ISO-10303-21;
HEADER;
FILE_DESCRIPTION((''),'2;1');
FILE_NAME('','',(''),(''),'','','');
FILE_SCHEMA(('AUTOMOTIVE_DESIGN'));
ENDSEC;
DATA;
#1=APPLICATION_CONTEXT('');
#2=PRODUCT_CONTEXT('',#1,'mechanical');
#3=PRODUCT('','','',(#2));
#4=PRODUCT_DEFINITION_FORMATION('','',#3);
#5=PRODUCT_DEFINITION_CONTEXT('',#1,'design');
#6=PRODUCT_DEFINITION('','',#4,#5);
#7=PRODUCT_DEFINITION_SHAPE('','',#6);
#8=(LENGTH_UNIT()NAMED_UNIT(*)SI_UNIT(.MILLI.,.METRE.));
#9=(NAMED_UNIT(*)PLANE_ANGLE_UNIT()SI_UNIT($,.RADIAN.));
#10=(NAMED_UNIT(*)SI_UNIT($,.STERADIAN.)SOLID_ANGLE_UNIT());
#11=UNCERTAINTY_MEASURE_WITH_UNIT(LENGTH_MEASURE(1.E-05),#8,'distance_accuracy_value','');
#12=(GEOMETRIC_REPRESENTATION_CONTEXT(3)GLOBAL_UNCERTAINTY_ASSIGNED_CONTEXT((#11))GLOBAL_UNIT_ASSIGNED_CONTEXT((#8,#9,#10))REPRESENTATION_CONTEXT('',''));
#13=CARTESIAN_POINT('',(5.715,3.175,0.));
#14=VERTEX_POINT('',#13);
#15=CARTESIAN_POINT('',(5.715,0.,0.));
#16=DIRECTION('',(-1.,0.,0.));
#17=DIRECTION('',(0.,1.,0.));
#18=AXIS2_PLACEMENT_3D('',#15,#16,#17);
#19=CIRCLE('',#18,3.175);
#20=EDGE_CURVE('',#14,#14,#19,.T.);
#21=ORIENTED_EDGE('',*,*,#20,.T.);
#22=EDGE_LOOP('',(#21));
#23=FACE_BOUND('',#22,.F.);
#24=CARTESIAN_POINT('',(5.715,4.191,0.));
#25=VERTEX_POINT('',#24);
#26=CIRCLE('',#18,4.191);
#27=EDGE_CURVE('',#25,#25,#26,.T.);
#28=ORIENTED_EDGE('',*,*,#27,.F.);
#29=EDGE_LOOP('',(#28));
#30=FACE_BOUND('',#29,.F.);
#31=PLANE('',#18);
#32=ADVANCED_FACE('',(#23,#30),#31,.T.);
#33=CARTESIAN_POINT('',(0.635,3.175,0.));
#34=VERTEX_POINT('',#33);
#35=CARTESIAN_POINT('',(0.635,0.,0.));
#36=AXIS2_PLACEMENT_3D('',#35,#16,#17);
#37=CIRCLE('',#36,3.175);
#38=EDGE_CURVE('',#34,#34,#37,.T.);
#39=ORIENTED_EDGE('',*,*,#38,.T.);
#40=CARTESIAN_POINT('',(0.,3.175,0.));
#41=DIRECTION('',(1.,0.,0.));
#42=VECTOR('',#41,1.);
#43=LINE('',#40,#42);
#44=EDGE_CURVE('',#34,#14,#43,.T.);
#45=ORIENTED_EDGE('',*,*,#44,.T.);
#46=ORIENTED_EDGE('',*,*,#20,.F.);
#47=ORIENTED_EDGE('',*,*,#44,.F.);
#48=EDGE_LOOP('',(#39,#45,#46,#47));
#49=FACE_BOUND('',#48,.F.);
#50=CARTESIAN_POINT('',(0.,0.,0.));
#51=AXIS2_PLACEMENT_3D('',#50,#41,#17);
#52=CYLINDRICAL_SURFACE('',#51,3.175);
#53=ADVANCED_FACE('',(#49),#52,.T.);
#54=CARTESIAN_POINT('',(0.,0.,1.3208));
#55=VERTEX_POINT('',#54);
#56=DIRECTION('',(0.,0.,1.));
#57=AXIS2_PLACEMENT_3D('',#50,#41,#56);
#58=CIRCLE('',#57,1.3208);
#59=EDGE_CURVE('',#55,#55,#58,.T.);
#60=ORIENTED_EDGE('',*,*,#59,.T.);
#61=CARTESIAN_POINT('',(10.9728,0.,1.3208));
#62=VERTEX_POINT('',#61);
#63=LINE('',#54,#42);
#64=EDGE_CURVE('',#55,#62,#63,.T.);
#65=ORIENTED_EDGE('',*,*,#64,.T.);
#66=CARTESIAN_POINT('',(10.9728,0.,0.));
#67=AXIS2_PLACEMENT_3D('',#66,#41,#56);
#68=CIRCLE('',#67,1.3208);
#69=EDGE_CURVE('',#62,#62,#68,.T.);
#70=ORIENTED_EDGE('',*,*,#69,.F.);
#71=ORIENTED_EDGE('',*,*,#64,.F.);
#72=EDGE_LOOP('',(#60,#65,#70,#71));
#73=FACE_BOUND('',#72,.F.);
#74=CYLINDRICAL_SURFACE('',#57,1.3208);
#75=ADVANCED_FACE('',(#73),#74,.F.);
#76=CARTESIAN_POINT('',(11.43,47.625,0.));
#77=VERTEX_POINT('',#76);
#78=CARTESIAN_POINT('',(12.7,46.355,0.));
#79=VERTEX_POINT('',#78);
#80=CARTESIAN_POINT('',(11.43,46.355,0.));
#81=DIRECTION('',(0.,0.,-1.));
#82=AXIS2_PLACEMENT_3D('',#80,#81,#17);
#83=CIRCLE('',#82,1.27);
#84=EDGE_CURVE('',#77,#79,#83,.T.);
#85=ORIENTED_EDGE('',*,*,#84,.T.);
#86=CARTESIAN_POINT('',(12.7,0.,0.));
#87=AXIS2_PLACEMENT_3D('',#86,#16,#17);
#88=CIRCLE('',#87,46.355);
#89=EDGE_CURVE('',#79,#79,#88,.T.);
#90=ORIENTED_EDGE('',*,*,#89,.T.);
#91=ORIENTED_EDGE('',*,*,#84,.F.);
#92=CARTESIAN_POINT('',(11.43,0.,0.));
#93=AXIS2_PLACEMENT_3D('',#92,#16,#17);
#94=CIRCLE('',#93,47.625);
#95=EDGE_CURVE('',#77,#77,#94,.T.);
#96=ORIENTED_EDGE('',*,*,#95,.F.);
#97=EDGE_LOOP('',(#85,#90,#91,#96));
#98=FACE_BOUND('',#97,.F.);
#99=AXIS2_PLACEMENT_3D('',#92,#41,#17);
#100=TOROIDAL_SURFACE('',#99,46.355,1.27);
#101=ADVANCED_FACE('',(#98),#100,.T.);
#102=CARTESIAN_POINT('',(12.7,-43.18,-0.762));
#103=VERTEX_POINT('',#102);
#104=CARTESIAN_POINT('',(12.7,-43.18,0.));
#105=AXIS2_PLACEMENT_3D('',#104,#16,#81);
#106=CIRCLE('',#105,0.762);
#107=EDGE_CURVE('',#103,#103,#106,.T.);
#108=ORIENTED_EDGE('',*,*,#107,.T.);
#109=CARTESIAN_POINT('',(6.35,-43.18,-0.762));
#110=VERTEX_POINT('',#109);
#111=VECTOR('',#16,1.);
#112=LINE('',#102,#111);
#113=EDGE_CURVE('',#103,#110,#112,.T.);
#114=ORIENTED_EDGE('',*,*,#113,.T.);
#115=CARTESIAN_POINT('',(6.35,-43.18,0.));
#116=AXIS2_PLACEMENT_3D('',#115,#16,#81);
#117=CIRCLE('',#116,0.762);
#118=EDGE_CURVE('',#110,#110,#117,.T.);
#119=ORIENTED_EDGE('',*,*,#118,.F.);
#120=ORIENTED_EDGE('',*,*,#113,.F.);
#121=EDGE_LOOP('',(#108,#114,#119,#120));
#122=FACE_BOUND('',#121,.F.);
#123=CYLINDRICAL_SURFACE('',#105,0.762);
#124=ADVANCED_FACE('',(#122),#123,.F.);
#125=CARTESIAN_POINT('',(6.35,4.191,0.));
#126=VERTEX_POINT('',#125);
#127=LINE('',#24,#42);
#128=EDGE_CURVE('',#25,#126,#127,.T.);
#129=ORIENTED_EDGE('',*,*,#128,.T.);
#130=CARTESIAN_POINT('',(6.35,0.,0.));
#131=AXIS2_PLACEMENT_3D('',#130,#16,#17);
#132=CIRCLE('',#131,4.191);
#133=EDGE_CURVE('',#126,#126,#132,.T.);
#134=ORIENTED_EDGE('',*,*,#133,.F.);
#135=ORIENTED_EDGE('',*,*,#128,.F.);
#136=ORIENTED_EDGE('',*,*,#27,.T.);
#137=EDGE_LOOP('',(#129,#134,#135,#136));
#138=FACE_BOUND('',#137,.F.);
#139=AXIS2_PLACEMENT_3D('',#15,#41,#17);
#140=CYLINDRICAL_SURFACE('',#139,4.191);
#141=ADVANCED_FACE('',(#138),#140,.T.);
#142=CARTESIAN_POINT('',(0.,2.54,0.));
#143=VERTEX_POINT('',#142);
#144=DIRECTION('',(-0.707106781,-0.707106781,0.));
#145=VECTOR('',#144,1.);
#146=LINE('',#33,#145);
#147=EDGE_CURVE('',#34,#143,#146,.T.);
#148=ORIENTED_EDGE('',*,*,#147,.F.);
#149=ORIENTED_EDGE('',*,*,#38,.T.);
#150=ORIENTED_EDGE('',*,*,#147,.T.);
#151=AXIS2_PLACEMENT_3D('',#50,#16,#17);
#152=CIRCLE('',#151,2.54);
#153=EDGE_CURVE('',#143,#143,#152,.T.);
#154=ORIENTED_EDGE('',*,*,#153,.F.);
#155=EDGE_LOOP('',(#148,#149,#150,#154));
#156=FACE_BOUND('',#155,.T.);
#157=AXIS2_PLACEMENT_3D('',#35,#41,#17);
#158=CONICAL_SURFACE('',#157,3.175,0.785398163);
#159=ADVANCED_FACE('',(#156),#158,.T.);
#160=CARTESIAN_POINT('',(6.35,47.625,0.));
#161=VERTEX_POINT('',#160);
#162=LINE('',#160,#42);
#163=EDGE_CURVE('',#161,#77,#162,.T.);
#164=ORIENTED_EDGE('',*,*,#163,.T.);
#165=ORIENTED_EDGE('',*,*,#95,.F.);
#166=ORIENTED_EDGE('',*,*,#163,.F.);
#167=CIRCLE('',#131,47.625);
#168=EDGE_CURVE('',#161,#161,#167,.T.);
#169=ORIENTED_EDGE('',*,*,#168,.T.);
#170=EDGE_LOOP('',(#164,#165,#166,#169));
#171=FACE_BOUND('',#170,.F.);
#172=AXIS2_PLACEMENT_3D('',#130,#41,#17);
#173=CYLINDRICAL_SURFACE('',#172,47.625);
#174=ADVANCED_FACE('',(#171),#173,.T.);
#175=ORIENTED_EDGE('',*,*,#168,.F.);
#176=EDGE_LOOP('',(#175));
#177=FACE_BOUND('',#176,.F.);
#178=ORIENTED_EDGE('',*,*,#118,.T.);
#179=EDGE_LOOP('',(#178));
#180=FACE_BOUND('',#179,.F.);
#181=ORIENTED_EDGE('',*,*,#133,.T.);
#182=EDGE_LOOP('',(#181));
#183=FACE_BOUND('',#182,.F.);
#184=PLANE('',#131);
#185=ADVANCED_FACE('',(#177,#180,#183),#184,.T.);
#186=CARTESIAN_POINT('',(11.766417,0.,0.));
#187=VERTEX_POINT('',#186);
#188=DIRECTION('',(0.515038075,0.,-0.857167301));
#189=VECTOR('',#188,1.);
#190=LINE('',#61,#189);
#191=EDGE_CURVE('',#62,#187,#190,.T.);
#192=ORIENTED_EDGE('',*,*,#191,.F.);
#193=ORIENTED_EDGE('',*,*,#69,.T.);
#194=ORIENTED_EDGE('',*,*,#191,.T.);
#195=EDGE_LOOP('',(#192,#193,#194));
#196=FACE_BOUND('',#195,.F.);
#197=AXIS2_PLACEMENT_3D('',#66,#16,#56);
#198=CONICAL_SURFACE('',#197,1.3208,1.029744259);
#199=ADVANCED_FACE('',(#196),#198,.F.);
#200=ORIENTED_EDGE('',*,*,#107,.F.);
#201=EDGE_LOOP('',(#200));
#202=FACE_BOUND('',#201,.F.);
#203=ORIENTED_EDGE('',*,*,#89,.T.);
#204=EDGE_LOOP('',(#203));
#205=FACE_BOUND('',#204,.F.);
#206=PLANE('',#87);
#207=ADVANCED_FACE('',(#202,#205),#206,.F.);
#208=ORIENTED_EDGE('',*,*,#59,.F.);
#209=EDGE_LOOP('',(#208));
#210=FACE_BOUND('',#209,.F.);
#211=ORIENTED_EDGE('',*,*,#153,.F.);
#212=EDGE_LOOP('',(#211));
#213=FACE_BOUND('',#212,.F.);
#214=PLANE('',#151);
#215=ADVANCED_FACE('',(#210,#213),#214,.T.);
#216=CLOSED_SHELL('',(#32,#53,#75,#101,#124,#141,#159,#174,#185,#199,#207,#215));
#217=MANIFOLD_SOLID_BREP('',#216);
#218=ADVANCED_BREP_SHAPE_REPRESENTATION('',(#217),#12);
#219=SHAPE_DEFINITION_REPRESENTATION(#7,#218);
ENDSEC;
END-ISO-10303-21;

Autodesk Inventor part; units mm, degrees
ref_plane "YZ Plane" through (0, 0, 0) normal (1, 0, 0) x (0, 1, 0)
ref_plane "XZ Plane" through (0, 0, 0) normal (0, 1, 0) x (-1, 0, 0)
ref_plane "XY Plane" through (0, 0, 0) normal (0, 0, 1) x (1, 0, 0)
sketch "Sketch5" plane through (0, 0, 0) normal (0, 0, 1) x (1, 0, 0)
  line L0 (0, 0) -> (0, 3.175)
  line L1 (0, 3.175) -> (5.715, 3.175)
  line L2 (6.35, 4.191) -> (6.35, 47.625)
  line L3 (6.35, 47.625) -> (12.7, 47.625)
  line L4 (12.7, 47.625) -> (12.7, 0)
  line L5 (12.7, 0) -> (0, 0)
  line L6 (5.715, 3.175) -> (5.715, 4.191)
  line L7 (5.715, 4.191) -> (6.35, 4.191)
  point P0 (9.525, 3.175)
  dimension "d9" = 3.175
  dimension "d10" = 47.625
  dimension "d14" = 6.35
  dimension "d18" = 0.635
  dimension "d19" = 4.191
  dimension "d21" = 5.715
revolve "Revolution1" add sketch "Sketch5" angle 360 about axis through (12.7, 0, 0) along (-1, 0, 0)
fillet "Fillet1" radius 1.27 1 edges at (12.7, -47.625, 0)
chamfer "Chamfer1" distance 0.635 angle 45 1 edges at (0, -3.175, 0)
sketch "Sketch6" plane through (12.7, 0, 0) normal (1, 0, 0) x (0, 0, -1)
  circle A0 centre (0, 0) radius 46.355 projected
  line L0 (-34.925, -19.05) -> (34.925, -19.05)
  line L1 (0, 0) -> (0, -19.05)
  point P0 (0, -43.18)
  dimension "d27" = 43.18
  dimension "d43" = 69.85
  dimension "d44" = 19.05
hole "Hole1" at (12.7, -43.18, 0) direction (-1, 0, 0) diameter 1.524 end through all
sketch "Sketch7" plane through (0, 0, 0) normal (-1, 0, 0) x (0, 0, 1)
  point P0 (0, 0)
hole "Hole2" at (0, 0, 0) direction (1, 0, 0) diameter 2.6416 depth 10.9728 tip angle 118 thread size "6-32 UNC" class "2B" standard "ANSI Unified Screw Threads"
properties part number "wheel hubcap" material "Aluminum 6061"
